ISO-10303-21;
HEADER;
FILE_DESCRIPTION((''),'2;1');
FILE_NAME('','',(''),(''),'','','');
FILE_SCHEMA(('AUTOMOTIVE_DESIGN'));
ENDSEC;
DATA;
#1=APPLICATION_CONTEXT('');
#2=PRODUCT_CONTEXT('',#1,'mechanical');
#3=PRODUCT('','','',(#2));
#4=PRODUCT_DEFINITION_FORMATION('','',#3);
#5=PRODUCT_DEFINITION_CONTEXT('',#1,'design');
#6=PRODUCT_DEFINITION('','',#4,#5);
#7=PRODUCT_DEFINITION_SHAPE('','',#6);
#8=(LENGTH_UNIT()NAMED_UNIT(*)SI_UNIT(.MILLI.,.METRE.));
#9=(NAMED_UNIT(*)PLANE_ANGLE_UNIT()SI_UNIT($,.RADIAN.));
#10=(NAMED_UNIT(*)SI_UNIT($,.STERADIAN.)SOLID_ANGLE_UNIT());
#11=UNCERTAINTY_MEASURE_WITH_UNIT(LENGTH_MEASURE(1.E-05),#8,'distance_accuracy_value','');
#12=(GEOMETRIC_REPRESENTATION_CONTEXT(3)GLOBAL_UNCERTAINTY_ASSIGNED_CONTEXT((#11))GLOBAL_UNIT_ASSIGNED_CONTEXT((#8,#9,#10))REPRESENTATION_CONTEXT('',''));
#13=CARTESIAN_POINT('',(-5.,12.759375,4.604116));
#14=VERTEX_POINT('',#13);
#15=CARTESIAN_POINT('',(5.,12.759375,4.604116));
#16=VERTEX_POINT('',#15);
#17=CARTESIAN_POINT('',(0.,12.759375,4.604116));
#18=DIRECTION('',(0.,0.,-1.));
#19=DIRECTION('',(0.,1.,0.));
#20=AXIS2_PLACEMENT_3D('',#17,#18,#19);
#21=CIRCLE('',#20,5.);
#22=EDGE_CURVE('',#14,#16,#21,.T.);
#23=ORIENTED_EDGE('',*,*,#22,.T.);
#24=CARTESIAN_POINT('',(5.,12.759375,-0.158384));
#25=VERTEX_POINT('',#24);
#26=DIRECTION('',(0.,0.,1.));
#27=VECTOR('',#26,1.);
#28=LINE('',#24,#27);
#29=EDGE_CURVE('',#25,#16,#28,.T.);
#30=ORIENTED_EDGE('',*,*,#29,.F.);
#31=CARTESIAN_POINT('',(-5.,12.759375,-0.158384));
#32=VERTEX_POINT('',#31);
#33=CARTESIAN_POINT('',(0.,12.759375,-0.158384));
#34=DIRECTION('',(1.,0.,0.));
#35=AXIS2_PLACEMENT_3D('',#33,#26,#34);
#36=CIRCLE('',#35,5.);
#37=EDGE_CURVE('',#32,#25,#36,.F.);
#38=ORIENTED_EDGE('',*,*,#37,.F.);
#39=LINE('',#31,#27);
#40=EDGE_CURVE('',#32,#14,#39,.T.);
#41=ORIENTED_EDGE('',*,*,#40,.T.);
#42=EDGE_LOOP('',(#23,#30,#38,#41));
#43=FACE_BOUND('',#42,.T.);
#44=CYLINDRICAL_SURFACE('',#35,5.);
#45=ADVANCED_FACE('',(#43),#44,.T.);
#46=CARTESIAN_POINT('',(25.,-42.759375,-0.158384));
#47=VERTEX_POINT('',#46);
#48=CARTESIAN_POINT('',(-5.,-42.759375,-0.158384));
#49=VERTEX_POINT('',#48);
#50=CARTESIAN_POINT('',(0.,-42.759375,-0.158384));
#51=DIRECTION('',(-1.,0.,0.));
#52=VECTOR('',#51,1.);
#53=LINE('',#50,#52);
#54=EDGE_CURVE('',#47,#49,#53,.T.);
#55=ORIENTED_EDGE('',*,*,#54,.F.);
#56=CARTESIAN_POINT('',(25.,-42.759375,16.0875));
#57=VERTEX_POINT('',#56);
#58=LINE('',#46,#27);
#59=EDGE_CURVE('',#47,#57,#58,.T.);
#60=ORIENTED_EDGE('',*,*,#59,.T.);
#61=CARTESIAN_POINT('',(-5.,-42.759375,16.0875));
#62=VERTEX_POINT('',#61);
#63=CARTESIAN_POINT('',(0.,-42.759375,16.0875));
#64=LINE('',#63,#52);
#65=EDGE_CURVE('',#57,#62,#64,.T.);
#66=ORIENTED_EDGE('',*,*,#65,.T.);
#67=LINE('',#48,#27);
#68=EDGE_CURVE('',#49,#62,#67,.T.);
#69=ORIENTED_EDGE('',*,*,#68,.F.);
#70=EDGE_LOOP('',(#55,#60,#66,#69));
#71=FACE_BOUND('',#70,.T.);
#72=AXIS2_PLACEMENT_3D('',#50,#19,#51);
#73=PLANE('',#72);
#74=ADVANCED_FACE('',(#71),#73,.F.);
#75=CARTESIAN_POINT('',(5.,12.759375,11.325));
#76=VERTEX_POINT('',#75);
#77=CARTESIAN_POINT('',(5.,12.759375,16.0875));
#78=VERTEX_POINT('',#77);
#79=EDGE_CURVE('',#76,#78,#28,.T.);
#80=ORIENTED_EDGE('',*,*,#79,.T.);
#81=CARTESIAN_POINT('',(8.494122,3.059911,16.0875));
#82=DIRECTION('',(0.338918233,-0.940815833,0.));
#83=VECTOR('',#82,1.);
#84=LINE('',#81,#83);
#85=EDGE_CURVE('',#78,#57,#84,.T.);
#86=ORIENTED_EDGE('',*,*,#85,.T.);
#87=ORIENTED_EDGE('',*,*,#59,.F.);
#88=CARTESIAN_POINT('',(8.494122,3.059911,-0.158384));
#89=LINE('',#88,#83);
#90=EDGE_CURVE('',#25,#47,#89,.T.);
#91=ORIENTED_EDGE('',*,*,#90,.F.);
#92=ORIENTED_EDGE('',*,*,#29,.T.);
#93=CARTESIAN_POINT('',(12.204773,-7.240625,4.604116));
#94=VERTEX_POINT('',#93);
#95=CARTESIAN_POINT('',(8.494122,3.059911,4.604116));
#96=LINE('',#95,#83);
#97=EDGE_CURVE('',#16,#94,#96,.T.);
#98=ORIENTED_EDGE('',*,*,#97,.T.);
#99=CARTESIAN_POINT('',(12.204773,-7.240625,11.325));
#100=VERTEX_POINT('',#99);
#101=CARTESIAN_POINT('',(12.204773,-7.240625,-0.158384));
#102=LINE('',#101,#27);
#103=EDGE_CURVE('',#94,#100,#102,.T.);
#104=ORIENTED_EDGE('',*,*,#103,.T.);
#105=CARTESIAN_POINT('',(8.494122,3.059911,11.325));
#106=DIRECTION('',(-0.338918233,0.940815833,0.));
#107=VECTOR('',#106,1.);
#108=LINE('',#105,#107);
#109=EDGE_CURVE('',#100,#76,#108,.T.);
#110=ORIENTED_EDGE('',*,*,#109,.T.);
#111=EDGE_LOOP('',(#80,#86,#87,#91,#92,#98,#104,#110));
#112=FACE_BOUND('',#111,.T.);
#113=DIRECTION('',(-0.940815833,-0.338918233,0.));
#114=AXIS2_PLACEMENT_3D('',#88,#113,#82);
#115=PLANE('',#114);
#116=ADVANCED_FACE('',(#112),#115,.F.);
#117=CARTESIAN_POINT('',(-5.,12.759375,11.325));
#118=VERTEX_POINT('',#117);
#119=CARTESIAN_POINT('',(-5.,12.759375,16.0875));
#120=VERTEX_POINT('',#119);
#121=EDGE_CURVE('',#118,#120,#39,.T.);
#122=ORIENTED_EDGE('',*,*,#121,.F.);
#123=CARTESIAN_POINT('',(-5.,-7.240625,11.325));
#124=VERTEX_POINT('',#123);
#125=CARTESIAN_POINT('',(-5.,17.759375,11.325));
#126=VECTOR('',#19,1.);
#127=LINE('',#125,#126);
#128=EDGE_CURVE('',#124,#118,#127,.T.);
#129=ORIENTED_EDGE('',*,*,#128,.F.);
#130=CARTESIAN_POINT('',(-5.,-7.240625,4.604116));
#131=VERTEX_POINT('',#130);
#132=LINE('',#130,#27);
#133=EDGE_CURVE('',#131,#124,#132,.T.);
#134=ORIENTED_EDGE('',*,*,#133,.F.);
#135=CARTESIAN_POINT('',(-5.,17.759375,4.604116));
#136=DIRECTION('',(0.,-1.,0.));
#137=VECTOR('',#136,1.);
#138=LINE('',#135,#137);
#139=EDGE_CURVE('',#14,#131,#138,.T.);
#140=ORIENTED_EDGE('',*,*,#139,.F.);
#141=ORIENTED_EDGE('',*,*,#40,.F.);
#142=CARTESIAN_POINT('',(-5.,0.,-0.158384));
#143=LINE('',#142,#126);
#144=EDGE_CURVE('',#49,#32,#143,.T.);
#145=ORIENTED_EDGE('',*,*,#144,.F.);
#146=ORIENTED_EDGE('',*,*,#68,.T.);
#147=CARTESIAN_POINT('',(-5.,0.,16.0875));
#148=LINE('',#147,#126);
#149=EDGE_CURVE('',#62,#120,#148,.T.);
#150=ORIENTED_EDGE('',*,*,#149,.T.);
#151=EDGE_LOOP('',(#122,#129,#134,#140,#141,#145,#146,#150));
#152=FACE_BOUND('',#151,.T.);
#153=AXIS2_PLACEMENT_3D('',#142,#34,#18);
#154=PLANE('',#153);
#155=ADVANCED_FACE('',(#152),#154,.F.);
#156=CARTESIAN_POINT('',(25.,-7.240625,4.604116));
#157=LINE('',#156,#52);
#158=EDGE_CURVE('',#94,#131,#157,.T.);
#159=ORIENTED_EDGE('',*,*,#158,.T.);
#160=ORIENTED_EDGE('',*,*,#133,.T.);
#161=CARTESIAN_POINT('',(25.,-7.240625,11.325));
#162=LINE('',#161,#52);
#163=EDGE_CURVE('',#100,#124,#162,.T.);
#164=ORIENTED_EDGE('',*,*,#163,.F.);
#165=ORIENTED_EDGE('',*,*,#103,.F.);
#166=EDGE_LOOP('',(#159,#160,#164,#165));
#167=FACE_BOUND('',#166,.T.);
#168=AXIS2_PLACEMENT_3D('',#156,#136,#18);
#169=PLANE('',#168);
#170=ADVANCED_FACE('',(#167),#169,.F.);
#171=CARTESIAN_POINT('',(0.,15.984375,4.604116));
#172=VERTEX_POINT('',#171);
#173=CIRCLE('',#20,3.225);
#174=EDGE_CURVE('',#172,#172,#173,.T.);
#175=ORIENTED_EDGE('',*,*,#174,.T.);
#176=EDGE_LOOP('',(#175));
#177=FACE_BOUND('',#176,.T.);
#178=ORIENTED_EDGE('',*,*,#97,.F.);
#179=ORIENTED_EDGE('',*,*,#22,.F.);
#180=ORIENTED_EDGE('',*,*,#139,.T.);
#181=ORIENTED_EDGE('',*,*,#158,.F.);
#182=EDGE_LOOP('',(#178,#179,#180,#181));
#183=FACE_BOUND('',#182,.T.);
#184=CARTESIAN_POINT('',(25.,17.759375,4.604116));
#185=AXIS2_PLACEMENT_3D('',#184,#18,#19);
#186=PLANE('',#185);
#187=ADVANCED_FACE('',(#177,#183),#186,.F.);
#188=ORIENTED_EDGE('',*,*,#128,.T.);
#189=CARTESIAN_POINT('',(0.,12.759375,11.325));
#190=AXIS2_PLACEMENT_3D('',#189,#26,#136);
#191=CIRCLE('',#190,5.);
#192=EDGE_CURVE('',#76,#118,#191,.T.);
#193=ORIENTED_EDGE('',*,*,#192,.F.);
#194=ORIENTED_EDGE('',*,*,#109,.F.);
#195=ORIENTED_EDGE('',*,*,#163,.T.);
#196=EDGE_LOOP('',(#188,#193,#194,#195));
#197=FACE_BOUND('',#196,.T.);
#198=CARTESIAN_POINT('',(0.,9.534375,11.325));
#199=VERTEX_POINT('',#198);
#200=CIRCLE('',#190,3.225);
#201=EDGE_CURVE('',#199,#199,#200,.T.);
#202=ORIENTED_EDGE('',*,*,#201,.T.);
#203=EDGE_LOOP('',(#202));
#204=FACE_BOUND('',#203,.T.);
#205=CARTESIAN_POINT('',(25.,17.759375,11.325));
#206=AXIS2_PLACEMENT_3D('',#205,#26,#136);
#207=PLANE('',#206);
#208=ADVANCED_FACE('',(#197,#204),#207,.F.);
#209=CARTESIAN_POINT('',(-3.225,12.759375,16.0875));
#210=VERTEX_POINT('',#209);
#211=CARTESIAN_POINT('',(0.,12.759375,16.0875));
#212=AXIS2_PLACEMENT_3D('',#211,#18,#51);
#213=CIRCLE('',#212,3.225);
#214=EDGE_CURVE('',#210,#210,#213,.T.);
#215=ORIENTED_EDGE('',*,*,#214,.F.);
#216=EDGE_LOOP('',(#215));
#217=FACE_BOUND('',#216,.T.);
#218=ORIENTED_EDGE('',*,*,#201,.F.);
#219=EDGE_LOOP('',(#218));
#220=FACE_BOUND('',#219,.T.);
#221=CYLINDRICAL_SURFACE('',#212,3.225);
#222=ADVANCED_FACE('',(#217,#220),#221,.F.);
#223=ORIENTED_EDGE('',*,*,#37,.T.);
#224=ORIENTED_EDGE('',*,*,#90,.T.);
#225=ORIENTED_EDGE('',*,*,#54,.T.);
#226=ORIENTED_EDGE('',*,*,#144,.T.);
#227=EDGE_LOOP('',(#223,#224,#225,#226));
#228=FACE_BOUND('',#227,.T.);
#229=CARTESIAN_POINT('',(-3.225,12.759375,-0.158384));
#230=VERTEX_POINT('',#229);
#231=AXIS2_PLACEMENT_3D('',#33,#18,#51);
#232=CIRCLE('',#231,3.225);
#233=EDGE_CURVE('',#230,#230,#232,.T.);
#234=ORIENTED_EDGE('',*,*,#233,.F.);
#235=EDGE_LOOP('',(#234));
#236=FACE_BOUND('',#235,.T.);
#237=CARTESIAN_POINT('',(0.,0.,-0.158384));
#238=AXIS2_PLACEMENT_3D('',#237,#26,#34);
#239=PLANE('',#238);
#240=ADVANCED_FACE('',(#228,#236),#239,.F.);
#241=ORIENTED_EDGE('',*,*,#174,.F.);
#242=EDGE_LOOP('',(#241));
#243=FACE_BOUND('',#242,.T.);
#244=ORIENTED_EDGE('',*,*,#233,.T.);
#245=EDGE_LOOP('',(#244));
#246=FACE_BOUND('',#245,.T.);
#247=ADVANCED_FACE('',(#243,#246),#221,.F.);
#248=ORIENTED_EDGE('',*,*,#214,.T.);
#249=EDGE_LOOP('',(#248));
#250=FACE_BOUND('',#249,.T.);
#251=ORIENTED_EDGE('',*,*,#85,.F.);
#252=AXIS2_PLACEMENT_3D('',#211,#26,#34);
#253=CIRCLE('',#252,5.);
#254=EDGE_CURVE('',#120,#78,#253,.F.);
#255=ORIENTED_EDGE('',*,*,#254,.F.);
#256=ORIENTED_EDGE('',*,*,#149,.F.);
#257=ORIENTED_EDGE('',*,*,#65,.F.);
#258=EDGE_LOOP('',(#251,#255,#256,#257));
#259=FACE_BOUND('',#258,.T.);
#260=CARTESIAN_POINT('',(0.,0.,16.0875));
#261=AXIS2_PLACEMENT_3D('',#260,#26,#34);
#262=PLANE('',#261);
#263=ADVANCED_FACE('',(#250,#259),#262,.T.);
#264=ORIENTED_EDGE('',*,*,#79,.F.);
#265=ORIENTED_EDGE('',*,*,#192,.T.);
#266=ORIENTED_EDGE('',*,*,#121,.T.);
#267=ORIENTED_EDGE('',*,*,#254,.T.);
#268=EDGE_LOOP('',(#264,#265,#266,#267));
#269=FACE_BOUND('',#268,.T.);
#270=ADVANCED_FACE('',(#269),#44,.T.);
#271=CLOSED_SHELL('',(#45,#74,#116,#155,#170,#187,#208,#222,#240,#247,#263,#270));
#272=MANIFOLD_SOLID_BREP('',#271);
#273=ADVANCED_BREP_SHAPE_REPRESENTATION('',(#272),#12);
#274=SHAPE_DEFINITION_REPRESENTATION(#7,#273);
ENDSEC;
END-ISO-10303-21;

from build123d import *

# Parameters (mm, degrees)
RESSALTO_EXTRUS_O1_DEPTH      = 16.0875
RESSALTO_EXTRUS_O1_DEPTH_BACK = 0.158383869
ESBO_O2_W                     = 6.720883869
ESBO_O2_H                     = 25
CORTE_EXTRUS_O1_DEPTH         = 55.655025447
ESBO_O3_R                     = 3.225
CORTE_EXTRUS_O2_DEPTH         = 53.127659578


with BuildPart() as part:
    # Esboço1 → Ressalto-extrusão1 (new, two sides: drawn at the far end of the back side and taken through both)
    with BuildSketch(Plane.XY.offset(-RESSALTO_EXTRUS_O1_DEPTH_BACK)):
        with BuildLine():
            ThreePointArc((-5, 12.759375), (0, 17.759375), (5, 12.759375))
            Line((5, 12.759375), (5, -12.759375))
            Line((5, -12.759375), (-5, -12.759375))
            Line((-5, -12.759375), (-5, 12.759375))
        make_face()
        Polygon((-5, -42.759375), (-5, -12.759375), (5, -12.759375), (5, 12.759375), (25, -42.759375), align=None)
    extrude(amount=RESSALTO_EXTRUS_O1_DEPTH + RESSALTO_EXTRUS_O1_DEPTH_BACK)

    # Esboço2 → Corte-extrusão1 (cut, through all)
    with BuildSketch(Plane.ZY.offset(5)):
        with Locations((7.964558066, 5.259375)):
            Rectangle(ESBO_O2_W, ESBO_O2_H)
    extrude(amount=-CORTE_EXTRUS_O1_DEPTH, mode=Mode.SUBTRACT)

    # Esboço3 → Corte-extrusão2 (cut, through all)
    with BuildSketch(Plane(origin=(0, 0, -0.158383869), x_dir=(-1, 0, 0), z_dir=(0, 0, -1))):
        with Locations((0, 12.759375)):
            Circle(ESBO_O3_R)
    extrude(amount=-CORTE_EXTRUS_O2_DEPTH, mode=Mode.SUBTRACT)


solid = part.part
